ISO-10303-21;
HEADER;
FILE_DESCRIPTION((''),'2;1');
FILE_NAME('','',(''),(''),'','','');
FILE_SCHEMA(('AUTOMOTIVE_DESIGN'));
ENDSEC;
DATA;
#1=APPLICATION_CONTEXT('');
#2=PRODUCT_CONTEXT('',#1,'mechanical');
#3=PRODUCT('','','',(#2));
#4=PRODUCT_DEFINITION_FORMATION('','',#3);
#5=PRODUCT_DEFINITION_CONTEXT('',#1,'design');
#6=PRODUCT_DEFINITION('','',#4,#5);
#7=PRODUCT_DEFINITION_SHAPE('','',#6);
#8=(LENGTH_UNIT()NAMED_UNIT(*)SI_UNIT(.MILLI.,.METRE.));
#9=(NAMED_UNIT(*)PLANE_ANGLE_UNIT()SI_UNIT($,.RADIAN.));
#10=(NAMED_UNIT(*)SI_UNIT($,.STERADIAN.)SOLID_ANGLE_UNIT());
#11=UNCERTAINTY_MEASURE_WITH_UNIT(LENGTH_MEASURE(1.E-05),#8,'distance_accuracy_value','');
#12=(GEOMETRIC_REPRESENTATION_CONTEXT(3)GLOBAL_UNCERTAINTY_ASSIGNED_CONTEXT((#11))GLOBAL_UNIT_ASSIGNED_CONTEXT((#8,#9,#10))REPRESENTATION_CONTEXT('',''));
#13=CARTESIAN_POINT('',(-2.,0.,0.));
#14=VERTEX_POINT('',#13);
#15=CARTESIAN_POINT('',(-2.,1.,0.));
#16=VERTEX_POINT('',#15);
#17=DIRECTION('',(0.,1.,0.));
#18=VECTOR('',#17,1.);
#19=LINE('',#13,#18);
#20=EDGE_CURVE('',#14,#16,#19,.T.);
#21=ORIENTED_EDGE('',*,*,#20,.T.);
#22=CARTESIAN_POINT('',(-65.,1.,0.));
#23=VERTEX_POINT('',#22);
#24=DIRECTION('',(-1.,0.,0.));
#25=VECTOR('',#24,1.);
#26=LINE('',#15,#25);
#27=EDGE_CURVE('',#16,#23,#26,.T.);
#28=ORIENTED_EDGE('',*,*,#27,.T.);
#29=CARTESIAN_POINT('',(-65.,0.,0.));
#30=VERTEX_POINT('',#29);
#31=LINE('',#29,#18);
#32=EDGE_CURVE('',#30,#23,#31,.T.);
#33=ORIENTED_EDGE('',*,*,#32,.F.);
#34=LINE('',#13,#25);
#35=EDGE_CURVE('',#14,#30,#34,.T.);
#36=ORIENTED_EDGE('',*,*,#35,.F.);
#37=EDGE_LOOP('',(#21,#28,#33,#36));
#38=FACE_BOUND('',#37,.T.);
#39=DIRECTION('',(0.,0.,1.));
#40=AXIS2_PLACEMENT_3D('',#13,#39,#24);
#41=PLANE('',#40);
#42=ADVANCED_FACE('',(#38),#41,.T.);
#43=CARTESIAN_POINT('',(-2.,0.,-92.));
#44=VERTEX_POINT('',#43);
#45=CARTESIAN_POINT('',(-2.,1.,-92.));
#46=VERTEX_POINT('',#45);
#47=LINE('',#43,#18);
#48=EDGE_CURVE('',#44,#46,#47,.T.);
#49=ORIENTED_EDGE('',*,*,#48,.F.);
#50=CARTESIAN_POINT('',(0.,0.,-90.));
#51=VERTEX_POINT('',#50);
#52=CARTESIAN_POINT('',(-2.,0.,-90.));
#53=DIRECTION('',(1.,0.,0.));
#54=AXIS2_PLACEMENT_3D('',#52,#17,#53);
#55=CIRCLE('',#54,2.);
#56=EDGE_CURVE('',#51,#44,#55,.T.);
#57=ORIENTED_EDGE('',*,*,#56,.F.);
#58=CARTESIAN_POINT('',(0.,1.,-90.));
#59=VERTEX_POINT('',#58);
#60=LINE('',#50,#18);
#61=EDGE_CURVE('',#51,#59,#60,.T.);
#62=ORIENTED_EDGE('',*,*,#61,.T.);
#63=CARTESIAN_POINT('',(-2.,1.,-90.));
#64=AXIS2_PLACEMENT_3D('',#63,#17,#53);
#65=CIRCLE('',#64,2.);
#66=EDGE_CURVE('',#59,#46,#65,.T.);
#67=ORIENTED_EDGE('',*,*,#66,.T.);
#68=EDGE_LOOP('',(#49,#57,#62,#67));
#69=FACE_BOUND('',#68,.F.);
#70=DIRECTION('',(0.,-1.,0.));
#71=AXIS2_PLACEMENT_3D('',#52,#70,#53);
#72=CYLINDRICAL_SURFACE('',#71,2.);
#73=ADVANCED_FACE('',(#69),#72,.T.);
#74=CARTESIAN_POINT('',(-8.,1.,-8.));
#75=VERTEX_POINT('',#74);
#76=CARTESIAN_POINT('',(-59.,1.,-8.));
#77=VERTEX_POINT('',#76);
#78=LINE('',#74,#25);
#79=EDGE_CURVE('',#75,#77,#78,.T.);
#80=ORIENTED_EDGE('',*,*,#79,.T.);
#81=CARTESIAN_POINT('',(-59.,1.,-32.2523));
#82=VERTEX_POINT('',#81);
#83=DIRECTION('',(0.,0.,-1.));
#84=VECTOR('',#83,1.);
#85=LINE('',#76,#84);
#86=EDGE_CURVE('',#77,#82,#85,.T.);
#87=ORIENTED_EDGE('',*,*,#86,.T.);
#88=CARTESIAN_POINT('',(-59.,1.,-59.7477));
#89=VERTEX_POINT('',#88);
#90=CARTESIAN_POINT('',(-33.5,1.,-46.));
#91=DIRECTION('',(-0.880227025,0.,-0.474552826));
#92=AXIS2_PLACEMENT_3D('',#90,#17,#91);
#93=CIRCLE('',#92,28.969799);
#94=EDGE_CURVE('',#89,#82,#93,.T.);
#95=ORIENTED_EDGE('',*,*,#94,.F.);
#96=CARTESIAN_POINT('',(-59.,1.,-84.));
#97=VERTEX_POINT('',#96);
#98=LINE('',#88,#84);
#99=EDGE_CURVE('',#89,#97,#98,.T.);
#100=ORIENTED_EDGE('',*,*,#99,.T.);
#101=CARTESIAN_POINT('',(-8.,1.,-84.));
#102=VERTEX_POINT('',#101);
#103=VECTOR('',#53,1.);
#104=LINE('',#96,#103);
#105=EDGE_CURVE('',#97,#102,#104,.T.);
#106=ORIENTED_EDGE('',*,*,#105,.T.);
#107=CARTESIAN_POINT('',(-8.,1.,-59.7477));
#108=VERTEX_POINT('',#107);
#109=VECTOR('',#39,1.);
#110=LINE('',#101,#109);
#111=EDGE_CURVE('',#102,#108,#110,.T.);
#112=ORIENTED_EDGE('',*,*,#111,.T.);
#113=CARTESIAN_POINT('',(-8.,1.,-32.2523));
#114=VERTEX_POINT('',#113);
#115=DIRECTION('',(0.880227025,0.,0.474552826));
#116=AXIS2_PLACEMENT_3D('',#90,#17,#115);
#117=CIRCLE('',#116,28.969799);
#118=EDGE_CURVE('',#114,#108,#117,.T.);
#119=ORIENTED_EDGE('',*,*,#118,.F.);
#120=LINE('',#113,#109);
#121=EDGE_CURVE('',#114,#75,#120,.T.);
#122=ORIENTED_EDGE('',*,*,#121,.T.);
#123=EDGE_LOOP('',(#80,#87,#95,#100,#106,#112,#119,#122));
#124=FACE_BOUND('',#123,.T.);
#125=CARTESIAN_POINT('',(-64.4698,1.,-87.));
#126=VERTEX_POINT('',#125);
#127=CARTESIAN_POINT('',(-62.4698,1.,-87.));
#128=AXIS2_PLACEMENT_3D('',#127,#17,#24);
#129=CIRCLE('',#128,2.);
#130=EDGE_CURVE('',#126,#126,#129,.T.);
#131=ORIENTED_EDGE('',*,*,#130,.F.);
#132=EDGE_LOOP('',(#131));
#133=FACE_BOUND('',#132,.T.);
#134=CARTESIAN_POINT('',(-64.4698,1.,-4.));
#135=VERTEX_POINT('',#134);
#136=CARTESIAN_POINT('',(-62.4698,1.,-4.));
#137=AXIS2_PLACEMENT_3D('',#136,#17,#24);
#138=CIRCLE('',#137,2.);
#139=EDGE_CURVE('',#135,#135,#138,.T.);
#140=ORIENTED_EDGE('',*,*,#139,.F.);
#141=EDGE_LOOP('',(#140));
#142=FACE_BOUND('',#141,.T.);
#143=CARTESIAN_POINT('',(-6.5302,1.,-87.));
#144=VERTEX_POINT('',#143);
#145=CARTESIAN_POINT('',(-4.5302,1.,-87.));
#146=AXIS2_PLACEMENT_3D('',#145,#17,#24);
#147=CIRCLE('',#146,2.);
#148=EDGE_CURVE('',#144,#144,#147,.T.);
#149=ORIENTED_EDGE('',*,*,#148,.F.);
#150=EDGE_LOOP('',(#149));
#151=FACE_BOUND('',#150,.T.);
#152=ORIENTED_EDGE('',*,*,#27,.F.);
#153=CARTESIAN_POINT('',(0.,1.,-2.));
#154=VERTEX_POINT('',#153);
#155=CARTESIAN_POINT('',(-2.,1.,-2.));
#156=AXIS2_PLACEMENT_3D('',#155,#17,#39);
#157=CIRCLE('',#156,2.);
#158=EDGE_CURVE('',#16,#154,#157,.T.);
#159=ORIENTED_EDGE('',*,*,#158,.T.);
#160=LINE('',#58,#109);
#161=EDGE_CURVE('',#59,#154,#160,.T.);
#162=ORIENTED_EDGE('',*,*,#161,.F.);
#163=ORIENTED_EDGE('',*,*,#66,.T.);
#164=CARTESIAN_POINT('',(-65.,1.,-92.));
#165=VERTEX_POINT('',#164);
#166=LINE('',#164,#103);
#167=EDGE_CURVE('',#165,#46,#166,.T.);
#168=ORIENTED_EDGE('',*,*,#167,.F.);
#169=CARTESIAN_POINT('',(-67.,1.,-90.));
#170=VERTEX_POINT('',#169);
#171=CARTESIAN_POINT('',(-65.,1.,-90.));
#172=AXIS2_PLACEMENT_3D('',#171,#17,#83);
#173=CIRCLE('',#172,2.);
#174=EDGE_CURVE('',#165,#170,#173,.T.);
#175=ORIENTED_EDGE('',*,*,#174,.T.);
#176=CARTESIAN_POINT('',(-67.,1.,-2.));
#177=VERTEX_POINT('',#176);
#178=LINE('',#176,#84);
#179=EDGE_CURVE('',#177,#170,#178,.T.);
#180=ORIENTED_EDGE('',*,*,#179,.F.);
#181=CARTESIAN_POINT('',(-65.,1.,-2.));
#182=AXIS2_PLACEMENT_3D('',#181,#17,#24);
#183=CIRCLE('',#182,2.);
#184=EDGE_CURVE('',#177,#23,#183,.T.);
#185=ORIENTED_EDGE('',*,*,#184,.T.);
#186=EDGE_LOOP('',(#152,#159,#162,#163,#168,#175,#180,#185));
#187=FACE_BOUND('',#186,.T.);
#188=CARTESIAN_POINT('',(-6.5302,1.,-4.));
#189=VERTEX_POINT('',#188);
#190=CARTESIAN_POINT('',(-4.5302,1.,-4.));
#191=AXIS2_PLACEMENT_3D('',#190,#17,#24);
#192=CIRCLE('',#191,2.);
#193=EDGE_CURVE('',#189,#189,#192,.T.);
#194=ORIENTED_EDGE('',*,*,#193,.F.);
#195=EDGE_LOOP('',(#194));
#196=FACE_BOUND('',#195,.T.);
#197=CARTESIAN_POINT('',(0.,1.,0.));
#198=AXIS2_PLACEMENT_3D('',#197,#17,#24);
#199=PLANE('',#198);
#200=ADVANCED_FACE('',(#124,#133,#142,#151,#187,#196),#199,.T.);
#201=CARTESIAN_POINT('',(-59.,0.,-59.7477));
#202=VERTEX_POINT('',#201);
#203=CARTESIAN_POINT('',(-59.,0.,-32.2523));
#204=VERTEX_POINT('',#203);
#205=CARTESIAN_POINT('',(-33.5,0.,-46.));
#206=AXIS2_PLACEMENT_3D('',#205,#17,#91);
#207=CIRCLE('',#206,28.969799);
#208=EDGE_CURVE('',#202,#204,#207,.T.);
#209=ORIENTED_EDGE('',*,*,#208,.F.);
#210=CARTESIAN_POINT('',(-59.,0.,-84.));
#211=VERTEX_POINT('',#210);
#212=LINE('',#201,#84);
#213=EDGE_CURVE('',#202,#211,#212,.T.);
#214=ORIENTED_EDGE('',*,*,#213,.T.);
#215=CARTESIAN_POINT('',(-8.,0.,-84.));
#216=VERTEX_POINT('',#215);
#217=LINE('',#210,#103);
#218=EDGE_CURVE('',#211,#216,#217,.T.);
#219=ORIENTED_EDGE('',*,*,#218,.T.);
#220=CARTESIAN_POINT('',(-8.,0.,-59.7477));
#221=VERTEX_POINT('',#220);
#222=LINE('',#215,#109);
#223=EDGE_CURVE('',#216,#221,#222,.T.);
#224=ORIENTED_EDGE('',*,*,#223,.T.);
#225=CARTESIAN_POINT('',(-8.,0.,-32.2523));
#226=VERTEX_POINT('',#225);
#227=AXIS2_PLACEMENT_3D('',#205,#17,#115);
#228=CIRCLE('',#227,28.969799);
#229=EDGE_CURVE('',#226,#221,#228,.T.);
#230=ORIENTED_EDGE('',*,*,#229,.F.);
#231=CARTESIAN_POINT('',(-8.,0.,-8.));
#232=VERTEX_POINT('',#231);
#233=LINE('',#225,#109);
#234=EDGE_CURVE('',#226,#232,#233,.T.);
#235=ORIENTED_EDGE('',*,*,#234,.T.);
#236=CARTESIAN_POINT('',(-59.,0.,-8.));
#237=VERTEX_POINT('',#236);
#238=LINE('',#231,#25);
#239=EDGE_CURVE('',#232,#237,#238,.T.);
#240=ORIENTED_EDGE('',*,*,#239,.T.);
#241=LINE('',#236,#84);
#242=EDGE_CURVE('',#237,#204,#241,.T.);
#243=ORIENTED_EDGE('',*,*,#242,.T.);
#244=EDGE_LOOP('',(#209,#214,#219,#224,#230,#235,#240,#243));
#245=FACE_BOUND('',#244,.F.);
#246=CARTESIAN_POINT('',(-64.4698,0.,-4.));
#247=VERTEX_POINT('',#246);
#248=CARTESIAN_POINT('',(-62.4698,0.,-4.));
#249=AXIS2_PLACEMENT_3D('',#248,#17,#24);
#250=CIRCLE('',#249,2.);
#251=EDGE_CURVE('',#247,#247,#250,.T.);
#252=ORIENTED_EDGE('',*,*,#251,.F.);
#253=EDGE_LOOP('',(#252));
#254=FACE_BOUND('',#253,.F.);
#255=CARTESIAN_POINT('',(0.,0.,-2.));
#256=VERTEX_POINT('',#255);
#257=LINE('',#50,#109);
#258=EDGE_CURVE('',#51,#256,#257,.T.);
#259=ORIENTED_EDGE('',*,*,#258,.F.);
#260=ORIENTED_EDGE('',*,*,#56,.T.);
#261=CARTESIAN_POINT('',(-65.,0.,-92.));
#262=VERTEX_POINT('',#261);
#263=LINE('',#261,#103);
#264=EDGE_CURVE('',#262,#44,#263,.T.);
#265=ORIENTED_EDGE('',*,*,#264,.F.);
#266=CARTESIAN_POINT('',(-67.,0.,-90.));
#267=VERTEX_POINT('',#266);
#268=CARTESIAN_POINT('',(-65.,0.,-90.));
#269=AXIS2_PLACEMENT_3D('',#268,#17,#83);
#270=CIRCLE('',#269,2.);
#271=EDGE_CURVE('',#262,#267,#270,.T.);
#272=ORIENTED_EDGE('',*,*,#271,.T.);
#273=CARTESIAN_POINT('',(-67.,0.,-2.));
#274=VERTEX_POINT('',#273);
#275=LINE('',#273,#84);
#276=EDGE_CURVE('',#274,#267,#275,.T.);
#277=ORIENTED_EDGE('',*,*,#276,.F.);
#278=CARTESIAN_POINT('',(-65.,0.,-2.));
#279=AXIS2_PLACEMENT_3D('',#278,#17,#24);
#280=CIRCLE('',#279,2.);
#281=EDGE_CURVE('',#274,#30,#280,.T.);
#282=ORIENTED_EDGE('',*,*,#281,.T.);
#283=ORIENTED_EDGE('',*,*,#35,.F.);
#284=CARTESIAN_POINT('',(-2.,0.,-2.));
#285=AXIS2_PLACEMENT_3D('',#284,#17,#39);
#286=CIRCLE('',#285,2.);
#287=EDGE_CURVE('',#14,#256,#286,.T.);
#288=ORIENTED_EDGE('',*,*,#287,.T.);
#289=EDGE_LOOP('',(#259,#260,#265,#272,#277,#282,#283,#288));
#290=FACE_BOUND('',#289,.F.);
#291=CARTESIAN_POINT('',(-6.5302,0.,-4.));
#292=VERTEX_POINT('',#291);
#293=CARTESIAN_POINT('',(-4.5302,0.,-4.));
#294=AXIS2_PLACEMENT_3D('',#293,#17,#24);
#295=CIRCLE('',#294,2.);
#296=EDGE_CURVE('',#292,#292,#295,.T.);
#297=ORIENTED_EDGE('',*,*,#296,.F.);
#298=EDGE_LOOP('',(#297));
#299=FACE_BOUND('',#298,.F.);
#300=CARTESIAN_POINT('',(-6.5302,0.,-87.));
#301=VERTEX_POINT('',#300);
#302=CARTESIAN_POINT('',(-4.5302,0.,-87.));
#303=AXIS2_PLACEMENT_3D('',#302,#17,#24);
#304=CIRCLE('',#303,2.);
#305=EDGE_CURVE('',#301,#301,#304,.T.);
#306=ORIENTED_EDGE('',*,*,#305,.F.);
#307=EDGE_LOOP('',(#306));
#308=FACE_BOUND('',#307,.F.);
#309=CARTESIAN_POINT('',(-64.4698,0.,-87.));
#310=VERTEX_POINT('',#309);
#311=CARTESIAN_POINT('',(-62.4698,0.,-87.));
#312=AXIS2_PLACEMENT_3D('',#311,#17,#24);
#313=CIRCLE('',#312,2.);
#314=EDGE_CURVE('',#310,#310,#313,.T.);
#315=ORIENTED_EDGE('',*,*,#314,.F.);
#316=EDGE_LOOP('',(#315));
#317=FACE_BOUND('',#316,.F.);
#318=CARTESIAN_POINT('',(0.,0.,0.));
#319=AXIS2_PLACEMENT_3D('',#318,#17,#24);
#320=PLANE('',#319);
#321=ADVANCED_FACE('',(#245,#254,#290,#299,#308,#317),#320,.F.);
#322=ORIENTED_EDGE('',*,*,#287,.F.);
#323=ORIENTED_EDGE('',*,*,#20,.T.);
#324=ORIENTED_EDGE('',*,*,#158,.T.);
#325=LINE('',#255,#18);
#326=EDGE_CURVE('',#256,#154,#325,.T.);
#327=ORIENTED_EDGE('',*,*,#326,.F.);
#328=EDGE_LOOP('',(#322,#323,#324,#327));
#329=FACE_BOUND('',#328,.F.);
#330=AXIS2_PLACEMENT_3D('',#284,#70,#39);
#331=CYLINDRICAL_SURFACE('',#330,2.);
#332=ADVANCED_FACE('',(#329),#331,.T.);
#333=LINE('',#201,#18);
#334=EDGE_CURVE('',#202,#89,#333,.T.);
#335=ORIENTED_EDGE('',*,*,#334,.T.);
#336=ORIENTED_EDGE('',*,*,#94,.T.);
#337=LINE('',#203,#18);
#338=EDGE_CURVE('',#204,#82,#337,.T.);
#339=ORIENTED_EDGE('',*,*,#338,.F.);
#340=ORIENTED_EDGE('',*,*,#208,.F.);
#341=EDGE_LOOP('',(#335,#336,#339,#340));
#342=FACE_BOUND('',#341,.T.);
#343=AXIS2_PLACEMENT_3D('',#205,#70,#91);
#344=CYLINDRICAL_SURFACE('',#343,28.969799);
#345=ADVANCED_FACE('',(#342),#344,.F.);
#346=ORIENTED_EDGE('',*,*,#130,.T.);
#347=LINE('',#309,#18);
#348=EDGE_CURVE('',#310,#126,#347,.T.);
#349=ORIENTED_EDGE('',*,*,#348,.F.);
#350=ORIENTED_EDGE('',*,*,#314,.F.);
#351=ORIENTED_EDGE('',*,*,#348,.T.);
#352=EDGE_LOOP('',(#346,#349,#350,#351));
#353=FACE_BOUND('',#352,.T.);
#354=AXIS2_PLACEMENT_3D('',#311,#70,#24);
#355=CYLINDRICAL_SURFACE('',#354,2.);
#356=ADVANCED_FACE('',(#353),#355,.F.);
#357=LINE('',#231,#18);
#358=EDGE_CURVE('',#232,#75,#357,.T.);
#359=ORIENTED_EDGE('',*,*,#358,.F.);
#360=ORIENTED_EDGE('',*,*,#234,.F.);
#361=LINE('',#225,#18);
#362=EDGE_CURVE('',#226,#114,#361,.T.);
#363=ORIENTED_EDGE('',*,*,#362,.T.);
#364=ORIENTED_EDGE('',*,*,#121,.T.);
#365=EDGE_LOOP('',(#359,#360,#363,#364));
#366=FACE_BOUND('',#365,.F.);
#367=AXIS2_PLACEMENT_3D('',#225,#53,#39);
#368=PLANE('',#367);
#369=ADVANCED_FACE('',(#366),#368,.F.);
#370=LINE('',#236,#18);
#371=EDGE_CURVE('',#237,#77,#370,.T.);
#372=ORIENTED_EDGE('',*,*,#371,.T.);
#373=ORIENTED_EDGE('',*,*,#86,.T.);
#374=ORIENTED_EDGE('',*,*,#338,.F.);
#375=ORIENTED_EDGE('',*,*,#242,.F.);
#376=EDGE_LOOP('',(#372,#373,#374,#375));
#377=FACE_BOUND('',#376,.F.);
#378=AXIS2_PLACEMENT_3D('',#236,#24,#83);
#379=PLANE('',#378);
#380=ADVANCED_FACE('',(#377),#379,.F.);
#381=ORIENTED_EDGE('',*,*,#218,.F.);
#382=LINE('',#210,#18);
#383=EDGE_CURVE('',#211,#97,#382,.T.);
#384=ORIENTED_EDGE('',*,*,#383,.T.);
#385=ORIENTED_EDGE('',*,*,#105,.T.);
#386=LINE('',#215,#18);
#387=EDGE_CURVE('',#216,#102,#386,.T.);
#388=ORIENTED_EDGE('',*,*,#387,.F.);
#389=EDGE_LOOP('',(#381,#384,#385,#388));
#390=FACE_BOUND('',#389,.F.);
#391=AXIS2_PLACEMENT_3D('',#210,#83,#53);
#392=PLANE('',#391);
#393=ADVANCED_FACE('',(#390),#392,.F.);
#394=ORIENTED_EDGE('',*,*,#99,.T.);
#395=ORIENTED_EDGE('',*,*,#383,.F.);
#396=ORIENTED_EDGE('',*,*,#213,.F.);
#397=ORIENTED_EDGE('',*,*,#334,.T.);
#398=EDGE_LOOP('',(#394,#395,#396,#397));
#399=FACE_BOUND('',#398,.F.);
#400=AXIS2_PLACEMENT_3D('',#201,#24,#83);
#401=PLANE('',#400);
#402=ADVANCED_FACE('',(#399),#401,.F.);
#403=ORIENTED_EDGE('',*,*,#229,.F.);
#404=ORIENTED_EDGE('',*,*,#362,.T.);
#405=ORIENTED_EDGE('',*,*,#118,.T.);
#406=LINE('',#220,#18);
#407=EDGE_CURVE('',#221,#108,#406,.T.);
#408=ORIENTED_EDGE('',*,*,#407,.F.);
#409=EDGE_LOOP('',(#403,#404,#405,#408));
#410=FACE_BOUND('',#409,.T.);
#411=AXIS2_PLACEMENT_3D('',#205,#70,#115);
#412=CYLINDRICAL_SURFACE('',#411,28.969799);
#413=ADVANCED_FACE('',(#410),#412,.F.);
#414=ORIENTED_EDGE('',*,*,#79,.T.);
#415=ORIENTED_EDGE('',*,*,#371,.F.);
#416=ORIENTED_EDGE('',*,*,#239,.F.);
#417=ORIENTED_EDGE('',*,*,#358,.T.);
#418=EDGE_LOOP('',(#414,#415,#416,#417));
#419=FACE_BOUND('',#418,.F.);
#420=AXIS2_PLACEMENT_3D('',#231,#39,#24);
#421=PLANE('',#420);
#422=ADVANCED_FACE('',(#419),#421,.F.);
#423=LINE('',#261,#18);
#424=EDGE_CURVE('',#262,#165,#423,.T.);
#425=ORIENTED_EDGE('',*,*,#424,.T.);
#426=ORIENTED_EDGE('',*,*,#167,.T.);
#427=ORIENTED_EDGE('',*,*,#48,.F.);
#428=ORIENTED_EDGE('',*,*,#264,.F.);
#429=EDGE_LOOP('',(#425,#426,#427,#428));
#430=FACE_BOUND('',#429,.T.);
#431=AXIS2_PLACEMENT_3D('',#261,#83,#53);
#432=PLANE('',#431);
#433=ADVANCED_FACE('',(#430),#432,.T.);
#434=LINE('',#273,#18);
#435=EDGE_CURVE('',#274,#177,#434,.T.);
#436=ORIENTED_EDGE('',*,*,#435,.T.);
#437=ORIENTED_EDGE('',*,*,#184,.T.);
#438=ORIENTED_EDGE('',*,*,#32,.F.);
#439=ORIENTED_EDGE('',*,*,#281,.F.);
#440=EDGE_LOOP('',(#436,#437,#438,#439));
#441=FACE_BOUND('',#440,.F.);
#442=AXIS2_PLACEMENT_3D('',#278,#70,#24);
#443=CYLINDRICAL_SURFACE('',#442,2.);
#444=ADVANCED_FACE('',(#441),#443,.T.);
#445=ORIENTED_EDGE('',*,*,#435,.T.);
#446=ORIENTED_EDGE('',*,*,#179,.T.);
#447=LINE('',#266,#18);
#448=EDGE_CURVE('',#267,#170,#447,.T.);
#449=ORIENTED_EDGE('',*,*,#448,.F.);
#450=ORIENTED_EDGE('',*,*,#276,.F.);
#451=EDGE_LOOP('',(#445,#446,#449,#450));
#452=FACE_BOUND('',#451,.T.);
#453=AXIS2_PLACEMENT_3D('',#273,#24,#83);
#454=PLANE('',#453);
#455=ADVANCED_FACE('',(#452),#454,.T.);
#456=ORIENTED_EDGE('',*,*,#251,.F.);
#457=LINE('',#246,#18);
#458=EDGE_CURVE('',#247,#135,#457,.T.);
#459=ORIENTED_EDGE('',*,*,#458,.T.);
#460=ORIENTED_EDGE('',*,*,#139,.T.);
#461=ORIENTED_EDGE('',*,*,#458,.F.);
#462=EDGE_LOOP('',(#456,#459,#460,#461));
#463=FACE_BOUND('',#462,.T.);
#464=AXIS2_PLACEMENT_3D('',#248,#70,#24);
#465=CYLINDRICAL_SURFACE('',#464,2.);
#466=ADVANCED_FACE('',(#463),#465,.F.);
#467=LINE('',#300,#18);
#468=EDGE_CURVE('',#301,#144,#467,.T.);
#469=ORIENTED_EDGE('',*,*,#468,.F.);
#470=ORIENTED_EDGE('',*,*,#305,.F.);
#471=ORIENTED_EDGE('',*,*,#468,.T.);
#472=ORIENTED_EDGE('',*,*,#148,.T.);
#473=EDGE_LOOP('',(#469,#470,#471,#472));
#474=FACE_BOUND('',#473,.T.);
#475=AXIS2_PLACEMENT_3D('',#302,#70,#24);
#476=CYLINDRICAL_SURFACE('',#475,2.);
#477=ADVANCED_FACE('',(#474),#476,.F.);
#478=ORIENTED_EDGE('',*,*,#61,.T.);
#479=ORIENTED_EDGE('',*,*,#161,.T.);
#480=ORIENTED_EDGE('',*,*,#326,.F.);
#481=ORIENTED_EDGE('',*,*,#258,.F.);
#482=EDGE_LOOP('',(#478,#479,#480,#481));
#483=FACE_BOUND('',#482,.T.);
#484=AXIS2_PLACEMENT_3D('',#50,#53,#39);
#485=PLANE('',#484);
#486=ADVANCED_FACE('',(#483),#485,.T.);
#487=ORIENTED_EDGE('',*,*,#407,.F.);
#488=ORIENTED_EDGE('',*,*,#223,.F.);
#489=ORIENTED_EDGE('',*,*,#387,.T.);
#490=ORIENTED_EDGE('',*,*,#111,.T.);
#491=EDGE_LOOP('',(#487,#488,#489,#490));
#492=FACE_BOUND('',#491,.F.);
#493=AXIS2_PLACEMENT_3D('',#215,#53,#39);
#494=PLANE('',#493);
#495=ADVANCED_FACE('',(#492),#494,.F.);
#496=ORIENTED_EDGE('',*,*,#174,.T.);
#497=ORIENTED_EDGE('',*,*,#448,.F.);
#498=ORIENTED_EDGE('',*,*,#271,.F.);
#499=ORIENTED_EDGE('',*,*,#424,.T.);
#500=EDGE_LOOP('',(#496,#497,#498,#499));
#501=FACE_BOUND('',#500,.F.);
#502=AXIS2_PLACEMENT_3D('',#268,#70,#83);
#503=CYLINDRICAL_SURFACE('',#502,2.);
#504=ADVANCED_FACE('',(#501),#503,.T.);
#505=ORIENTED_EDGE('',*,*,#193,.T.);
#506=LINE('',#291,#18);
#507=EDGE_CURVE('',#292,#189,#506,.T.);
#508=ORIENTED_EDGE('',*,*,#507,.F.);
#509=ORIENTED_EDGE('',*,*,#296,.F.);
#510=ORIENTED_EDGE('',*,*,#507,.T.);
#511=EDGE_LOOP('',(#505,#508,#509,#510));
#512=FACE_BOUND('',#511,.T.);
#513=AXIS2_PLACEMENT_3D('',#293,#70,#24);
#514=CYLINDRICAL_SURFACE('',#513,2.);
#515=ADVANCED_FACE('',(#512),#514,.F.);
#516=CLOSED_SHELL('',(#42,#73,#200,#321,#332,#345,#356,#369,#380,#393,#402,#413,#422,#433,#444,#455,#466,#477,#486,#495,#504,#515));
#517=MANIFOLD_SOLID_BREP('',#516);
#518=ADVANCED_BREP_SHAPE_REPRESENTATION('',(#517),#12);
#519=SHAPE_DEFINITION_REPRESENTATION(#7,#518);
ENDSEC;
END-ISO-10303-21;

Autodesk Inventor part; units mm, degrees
ref_plane "YZ Plane" through (0, 0, 0) normal (1, 0, 0) x (0, 1, 0)
ref_plane "XZ Plane" through (0, 0, 0) normal (0, 1, 0) x (-1, 0, 0)
ref_plane "XY Plane" through (0, 0, 0) normal (0, 0, 1) x (1, 0, 0)
sketch "Sketch1" plane through (0, 0, 0) normal (0, 1, 0) x (-1, 0, 0)
  line L0 (2, 0) -> (65, 0)
  line L1 (67, -2) -> (67, -90)
  line L2 (65, -92) -> (2, -92)
  line L3 (0, -90) -> (0, -2)
  arc A0 (67, -2) -> (65, 0) centre (65, -2) ccw
  arc A1 (65, -92) -> (67, -90) centre (65, -90) ccw
  arc A2 (0, -90) -> (2, -92) centre (2, -90) ccw
  arc A3 (2, 0) -> (0, -2) centre (2, -2) ccw
  line L4 (8, -8) -> (59, -8)
  line L5 (59, -84) -> (8, -84)
  line L6 (59, -8) -> (59, -32.2523)
  line L7 (59, -59.7477) -> (59, -84)
  line L8 (8, -84) -> (8, -59.7477)
  line L9 (8, -32.2523) -> (8, -8)
  arc A4 (59, -59.7477) -> (59, -32.2523) centre (33.5, -46) ccw
  arc A5 (8, -32.2523) -> (8, -59.7477) centre (33.5, -46) ccw
  circle A6 centre (62.4698, -4) radius 2
  circle A7 centre (62.4698, -87) radius 2
  circle A8 centre (4.5302, -4) radius 2
  circle A9 centre (4.5302, -87) radius 2
  point P0 (0, 0)
  point P1 (67, -92)
  point P2 (67, 0)
  point P3 (0, -92)
  dimension "d40" = 67
  dimension "d41" = 92
  dimension "d42" = 2
  dimension "d43" = 51
  dimension "d44" = 76
extrude "Extrusion9" add sketch "Sketch1" along normal blind 1
